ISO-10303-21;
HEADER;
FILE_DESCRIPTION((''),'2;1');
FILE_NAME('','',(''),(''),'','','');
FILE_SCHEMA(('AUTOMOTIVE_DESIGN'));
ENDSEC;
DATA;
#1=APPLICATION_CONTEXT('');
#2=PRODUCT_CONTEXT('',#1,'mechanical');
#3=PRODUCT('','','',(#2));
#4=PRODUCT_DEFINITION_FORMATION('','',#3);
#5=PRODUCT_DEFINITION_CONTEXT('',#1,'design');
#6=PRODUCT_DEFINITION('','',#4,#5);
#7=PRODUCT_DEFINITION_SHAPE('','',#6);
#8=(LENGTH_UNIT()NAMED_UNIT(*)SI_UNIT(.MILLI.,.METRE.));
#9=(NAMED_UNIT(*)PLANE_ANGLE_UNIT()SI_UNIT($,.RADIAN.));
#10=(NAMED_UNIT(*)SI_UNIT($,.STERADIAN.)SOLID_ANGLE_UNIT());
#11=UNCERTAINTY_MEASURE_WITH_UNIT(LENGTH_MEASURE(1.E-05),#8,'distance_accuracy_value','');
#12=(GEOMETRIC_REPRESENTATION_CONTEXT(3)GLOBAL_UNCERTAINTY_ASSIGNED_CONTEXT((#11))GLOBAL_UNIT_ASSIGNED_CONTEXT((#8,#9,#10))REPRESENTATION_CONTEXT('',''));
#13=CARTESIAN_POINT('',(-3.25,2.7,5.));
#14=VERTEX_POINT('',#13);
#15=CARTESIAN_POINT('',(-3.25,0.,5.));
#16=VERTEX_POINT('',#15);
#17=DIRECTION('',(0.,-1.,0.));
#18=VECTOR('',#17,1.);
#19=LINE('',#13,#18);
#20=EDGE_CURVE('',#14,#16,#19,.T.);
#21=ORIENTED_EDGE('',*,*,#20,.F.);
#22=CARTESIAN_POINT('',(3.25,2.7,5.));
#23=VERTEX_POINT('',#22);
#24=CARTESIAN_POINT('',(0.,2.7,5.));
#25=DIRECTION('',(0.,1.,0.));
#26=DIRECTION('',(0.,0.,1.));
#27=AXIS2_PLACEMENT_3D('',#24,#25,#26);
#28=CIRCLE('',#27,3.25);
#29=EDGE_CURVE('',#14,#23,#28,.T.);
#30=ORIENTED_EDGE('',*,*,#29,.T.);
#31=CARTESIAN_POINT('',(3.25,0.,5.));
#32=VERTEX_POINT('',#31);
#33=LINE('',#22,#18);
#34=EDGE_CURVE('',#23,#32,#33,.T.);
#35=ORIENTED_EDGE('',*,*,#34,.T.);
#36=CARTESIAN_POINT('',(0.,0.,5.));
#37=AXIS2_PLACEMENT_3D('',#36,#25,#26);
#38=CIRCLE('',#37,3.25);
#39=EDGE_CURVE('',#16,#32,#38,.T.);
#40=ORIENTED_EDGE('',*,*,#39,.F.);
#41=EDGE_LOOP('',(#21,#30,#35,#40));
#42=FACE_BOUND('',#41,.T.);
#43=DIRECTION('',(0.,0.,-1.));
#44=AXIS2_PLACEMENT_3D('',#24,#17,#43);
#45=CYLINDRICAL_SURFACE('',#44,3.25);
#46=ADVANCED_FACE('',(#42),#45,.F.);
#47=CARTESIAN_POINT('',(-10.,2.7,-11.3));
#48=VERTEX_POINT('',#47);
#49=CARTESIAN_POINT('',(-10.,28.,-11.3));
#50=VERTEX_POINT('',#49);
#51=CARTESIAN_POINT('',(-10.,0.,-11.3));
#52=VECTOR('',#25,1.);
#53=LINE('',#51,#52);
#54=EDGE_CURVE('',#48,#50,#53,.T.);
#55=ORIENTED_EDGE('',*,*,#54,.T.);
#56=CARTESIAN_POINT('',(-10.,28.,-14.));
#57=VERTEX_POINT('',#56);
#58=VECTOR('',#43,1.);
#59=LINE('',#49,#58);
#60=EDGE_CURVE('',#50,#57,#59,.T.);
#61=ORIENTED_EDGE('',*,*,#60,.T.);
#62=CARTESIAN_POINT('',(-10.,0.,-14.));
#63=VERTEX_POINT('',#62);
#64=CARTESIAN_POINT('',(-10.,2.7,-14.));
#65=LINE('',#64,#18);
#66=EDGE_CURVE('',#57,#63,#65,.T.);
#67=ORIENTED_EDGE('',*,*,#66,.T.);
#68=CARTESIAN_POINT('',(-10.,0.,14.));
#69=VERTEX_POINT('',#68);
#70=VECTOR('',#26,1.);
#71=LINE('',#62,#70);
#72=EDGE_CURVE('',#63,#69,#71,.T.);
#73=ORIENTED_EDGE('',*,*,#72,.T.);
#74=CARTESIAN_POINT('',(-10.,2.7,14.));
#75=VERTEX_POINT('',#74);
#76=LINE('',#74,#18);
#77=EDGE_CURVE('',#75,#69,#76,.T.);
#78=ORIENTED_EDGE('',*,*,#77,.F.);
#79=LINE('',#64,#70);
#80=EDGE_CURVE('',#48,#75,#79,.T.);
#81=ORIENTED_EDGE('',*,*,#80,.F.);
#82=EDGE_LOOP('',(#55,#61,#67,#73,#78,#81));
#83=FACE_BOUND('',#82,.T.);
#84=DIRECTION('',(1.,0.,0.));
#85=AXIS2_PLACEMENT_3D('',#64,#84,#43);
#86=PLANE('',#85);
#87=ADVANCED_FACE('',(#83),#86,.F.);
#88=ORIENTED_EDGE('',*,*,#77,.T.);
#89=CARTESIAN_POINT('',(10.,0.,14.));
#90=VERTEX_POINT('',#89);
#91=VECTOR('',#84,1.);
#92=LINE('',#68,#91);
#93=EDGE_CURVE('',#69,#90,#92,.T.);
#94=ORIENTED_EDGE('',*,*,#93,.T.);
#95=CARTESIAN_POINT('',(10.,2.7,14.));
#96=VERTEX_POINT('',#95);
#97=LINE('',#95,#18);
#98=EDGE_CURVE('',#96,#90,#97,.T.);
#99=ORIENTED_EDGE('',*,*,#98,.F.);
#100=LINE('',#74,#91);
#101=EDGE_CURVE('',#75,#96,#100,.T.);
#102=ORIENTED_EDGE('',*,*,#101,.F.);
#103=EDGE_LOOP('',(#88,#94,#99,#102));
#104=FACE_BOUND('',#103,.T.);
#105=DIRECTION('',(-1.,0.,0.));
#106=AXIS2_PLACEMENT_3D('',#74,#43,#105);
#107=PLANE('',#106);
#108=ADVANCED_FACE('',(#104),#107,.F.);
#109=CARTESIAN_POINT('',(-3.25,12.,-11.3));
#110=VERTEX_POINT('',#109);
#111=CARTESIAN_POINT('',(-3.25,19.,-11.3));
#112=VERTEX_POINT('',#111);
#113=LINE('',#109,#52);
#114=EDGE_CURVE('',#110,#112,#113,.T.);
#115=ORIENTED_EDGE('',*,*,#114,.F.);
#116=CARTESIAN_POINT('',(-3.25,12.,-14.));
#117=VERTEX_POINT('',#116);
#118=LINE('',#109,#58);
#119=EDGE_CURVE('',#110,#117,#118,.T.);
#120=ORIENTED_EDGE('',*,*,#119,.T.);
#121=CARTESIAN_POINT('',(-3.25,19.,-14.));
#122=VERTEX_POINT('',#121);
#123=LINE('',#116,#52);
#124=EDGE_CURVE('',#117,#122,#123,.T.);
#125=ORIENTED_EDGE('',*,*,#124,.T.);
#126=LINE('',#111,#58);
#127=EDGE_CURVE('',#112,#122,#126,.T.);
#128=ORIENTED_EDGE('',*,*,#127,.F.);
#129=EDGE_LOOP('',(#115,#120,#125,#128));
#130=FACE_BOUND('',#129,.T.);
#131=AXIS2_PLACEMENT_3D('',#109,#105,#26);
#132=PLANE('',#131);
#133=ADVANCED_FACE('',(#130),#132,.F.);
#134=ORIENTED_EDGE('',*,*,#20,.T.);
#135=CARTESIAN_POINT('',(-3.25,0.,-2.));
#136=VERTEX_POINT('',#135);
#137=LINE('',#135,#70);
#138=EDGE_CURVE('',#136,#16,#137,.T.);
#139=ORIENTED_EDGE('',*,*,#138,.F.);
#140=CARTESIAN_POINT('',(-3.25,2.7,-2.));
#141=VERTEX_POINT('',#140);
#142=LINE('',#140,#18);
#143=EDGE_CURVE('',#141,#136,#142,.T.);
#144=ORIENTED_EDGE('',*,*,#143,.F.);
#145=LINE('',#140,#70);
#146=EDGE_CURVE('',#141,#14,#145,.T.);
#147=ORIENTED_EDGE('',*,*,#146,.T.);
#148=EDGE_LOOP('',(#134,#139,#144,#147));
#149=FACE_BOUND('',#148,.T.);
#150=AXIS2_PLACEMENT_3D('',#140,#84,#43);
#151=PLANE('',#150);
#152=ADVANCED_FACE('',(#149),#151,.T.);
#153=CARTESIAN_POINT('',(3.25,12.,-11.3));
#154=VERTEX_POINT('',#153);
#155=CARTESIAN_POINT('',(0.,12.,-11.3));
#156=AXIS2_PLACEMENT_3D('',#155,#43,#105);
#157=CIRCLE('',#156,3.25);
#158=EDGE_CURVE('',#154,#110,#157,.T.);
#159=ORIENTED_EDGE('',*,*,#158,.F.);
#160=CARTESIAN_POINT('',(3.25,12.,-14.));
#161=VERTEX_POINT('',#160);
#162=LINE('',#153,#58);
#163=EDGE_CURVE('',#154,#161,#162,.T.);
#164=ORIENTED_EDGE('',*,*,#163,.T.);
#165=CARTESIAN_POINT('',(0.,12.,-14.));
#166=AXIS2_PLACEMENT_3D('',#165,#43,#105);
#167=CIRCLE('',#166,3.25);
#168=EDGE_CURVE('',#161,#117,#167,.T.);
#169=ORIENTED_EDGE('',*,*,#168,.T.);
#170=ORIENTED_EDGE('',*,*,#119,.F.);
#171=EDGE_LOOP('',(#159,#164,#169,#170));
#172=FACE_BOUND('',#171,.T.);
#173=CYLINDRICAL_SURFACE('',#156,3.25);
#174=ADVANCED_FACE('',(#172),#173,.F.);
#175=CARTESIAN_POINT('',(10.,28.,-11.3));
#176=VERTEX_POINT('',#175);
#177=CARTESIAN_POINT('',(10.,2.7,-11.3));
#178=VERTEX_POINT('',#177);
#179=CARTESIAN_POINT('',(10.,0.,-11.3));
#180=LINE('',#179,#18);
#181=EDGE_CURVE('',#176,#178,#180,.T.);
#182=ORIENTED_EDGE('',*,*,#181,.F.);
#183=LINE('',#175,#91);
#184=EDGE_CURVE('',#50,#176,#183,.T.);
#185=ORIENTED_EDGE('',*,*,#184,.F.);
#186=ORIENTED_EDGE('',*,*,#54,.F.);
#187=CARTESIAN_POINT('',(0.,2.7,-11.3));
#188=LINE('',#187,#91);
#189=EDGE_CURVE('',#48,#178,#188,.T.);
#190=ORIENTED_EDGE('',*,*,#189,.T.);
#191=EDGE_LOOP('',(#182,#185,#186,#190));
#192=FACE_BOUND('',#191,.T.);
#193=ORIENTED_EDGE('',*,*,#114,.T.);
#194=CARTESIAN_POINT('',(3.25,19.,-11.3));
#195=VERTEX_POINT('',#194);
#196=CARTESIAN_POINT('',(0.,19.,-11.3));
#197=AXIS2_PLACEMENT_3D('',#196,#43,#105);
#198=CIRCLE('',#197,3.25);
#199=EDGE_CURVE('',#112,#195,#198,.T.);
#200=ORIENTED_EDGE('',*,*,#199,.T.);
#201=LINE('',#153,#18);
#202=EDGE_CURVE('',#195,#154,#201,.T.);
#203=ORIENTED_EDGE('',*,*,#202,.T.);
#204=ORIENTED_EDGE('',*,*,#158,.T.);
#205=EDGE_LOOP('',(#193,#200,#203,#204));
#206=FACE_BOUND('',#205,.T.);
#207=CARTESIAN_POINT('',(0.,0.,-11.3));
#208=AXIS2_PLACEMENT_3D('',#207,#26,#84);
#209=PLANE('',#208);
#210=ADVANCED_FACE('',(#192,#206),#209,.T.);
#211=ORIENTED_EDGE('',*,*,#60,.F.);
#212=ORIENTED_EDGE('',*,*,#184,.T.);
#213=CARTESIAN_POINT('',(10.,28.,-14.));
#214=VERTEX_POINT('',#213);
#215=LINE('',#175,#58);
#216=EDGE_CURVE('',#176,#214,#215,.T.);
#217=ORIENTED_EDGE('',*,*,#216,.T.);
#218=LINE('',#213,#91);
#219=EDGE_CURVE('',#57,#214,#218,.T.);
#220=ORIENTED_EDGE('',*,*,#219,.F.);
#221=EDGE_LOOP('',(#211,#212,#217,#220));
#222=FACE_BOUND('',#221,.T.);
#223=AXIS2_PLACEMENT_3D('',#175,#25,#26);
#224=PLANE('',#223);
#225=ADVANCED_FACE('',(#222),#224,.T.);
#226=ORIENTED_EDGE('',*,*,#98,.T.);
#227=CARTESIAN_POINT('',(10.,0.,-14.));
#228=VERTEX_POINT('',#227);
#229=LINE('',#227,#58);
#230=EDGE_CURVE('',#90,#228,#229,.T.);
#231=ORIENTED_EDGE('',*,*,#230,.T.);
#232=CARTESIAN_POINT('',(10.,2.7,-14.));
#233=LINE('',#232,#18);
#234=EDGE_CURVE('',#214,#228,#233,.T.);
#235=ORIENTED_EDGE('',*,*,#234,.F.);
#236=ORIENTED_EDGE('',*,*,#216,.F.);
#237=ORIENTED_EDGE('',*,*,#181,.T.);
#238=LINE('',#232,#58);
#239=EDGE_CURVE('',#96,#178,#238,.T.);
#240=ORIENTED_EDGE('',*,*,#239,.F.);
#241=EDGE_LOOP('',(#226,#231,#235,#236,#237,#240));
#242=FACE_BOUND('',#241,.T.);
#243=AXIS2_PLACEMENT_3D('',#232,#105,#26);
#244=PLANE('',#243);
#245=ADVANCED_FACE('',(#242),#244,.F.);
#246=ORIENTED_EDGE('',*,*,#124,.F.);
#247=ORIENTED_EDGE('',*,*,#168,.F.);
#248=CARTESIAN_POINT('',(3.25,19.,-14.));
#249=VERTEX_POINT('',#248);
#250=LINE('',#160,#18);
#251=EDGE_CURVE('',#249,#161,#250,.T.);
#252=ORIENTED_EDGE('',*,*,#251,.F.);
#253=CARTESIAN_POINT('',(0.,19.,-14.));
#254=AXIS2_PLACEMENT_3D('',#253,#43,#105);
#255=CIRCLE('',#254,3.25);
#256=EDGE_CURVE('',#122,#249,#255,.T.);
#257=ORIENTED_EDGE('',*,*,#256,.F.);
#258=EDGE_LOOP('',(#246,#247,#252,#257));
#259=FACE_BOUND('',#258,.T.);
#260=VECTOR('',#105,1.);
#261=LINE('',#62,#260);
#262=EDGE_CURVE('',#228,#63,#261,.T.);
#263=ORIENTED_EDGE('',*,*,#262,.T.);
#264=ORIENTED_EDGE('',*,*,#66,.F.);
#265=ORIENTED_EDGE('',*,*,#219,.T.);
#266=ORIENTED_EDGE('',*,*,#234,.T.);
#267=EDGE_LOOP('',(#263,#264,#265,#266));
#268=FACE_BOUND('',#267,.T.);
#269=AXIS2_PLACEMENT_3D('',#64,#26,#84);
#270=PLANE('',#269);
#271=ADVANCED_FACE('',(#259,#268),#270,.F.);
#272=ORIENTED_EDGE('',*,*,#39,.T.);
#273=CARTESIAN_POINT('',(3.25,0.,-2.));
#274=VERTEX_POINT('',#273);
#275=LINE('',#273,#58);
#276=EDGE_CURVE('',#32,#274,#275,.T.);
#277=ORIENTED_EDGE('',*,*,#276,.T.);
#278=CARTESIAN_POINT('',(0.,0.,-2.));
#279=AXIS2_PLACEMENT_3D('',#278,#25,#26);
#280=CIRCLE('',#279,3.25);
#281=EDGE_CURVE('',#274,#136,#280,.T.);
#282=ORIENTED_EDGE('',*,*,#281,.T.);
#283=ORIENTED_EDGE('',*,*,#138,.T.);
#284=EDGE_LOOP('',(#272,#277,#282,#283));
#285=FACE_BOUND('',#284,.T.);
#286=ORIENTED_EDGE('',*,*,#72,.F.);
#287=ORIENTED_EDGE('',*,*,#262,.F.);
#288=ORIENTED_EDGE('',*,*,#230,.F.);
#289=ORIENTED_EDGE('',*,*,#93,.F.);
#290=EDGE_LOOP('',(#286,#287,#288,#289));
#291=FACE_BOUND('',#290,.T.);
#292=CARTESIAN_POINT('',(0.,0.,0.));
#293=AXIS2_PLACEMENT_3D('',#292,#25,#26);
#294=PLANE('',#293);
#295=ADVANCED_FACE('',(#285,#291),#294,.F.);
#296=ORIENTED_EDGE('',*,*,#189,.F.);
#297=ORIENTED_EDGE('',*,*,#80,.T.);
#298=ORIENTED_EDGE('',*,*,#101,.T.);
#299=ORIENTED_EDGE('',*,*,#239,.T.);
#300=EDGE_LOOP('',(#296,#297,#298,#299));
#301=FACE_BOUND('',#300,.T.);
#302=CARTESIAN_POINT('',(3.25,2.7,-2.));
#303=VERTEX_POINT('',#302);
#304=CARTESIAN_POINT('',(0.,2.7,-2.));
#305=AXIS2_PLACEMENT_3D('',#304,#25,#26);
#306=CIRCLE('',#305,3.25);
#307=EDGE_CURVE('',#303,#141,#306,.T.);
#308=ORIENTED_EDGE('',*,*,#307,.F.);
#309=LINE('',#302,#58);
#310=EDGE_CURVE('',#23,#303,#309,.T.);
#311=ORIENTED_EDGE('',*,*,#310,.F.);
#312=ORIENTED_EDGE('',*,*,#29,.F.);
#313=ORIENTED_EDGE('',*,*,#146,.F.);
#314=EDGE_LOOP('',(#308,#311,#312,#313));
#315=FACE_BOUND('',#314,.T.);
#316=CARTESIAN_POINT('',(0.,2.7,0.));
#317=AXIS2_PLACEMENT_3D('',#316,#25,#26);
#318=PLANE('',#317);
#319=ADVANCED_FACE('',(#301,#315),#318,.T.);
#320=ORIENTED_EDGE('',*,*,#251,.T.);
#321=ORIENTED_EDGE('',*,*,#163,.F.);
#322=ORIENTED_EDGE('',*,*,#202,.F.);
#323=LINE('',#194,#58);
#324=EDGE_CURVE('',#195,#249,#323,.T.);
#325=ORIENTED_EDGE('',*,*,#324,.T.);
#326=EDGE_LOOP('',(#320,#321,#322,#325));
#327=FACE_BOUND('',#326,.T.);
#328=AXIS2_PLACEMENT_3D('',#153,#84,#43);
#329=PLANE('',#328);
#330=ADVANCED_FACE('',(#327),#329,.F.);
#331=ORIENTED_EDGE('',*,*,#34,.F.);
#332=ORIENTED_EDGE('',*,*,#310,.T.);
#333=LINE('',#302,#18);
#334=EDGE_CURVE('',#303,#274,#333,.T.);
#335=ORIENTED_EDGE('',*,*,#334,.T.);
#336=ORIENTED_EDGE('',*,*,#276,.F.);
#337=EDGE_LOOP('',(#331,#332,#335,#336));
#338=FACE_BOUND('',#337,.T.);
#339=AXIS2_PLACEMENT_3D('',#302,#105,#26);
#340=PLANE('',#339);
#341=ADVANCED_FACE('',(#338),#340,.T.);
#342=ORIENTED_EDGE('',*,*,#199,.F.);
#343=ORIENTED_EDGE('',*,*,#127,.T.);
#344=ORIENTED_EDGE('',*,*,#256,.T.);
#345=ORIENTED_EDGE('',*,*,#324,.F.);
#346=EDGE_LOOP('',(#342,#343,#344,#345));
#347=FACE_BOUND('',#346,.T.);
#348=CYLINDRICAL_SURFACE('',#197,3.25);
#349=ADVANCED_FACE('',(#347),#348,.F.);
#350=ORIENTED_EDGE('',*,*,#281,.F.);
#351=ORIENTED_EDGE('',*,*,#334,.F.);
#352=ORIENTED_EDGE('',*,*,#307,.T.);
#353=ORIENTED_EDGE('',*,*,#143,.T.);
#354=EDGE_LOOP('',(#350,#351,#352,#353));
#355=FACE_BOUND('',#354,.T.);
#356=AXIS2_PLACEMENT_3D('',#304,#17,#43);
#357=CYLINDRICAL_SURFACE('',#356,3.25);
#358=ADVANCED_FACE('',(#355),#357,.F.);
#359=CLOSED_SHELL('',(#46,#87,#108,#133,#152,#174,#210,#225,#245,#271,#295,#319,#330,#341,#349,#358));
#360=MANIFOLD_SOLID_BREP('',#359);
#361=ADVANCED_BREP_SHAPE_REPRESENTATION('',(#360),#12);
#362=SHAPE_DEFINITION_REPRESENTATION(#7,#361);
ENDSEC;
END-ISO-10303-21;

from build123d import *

# Parameters (mm, degrees)
SKETCH_1_W      = 20
SKETCH_1_H      = 28
EXTRUDE_1_DEPTH = 2.7
SKETCH_2_W      = 20
SKETCH_2_H      = 28
EXTRUDE_2_DEPTH = 2.7


with BuildPart() as part:
    # 草图1 → 凸台-拉伸1 (new body)
    with BuildSketch(Plane(origin=(0, 0, 0), x_dir=(1, 0, 0), z_dir=(0, 1, 0))):
        Rectangle(SKETCH_1_W, SKETCH_1_H)
        with BuildLine():
            Line((3.25, 2), (3.25, -5))
            ThreePointArc((3.25, -5), (0, -8.25), (-3.25, -5))
            Line((-3.25, -5), (-3.25, 2))
            ThreePointArc((-3.25, 2), (0, 5.25), (3.25, 2))
        make_face(mode=Mode.SUBTRACT)
    extrude(amount=EXTRUDE_1_DEPTH)

    # 草图2 → 凸台-拉伸2 (add)
    with BuildSketch(Plane(origin=(0, 0, -14), x_dir=(-1, 0, 0), z_dir=(0, 0, -1))):
        with Locations((0, 14)):
            Rectangle(SKETCH_2_W, SKETCH_2_H)
        with BuildLine():
            Line((-3.25, 12), (-3.25, 19))
            ThreePointArc((-3.25, 19), (0, 22.25), (3.25, 19))
            Line((3.25, 19), (3.25, 12))
            ThreePointArc((3.25, 12), (0, 8.75), (-3.25, 12))
        make_face(mode=Mode.SUBTRACT)
    extrude(amount=-EXTRUDE_2_DEPTH)


solid = part.part
